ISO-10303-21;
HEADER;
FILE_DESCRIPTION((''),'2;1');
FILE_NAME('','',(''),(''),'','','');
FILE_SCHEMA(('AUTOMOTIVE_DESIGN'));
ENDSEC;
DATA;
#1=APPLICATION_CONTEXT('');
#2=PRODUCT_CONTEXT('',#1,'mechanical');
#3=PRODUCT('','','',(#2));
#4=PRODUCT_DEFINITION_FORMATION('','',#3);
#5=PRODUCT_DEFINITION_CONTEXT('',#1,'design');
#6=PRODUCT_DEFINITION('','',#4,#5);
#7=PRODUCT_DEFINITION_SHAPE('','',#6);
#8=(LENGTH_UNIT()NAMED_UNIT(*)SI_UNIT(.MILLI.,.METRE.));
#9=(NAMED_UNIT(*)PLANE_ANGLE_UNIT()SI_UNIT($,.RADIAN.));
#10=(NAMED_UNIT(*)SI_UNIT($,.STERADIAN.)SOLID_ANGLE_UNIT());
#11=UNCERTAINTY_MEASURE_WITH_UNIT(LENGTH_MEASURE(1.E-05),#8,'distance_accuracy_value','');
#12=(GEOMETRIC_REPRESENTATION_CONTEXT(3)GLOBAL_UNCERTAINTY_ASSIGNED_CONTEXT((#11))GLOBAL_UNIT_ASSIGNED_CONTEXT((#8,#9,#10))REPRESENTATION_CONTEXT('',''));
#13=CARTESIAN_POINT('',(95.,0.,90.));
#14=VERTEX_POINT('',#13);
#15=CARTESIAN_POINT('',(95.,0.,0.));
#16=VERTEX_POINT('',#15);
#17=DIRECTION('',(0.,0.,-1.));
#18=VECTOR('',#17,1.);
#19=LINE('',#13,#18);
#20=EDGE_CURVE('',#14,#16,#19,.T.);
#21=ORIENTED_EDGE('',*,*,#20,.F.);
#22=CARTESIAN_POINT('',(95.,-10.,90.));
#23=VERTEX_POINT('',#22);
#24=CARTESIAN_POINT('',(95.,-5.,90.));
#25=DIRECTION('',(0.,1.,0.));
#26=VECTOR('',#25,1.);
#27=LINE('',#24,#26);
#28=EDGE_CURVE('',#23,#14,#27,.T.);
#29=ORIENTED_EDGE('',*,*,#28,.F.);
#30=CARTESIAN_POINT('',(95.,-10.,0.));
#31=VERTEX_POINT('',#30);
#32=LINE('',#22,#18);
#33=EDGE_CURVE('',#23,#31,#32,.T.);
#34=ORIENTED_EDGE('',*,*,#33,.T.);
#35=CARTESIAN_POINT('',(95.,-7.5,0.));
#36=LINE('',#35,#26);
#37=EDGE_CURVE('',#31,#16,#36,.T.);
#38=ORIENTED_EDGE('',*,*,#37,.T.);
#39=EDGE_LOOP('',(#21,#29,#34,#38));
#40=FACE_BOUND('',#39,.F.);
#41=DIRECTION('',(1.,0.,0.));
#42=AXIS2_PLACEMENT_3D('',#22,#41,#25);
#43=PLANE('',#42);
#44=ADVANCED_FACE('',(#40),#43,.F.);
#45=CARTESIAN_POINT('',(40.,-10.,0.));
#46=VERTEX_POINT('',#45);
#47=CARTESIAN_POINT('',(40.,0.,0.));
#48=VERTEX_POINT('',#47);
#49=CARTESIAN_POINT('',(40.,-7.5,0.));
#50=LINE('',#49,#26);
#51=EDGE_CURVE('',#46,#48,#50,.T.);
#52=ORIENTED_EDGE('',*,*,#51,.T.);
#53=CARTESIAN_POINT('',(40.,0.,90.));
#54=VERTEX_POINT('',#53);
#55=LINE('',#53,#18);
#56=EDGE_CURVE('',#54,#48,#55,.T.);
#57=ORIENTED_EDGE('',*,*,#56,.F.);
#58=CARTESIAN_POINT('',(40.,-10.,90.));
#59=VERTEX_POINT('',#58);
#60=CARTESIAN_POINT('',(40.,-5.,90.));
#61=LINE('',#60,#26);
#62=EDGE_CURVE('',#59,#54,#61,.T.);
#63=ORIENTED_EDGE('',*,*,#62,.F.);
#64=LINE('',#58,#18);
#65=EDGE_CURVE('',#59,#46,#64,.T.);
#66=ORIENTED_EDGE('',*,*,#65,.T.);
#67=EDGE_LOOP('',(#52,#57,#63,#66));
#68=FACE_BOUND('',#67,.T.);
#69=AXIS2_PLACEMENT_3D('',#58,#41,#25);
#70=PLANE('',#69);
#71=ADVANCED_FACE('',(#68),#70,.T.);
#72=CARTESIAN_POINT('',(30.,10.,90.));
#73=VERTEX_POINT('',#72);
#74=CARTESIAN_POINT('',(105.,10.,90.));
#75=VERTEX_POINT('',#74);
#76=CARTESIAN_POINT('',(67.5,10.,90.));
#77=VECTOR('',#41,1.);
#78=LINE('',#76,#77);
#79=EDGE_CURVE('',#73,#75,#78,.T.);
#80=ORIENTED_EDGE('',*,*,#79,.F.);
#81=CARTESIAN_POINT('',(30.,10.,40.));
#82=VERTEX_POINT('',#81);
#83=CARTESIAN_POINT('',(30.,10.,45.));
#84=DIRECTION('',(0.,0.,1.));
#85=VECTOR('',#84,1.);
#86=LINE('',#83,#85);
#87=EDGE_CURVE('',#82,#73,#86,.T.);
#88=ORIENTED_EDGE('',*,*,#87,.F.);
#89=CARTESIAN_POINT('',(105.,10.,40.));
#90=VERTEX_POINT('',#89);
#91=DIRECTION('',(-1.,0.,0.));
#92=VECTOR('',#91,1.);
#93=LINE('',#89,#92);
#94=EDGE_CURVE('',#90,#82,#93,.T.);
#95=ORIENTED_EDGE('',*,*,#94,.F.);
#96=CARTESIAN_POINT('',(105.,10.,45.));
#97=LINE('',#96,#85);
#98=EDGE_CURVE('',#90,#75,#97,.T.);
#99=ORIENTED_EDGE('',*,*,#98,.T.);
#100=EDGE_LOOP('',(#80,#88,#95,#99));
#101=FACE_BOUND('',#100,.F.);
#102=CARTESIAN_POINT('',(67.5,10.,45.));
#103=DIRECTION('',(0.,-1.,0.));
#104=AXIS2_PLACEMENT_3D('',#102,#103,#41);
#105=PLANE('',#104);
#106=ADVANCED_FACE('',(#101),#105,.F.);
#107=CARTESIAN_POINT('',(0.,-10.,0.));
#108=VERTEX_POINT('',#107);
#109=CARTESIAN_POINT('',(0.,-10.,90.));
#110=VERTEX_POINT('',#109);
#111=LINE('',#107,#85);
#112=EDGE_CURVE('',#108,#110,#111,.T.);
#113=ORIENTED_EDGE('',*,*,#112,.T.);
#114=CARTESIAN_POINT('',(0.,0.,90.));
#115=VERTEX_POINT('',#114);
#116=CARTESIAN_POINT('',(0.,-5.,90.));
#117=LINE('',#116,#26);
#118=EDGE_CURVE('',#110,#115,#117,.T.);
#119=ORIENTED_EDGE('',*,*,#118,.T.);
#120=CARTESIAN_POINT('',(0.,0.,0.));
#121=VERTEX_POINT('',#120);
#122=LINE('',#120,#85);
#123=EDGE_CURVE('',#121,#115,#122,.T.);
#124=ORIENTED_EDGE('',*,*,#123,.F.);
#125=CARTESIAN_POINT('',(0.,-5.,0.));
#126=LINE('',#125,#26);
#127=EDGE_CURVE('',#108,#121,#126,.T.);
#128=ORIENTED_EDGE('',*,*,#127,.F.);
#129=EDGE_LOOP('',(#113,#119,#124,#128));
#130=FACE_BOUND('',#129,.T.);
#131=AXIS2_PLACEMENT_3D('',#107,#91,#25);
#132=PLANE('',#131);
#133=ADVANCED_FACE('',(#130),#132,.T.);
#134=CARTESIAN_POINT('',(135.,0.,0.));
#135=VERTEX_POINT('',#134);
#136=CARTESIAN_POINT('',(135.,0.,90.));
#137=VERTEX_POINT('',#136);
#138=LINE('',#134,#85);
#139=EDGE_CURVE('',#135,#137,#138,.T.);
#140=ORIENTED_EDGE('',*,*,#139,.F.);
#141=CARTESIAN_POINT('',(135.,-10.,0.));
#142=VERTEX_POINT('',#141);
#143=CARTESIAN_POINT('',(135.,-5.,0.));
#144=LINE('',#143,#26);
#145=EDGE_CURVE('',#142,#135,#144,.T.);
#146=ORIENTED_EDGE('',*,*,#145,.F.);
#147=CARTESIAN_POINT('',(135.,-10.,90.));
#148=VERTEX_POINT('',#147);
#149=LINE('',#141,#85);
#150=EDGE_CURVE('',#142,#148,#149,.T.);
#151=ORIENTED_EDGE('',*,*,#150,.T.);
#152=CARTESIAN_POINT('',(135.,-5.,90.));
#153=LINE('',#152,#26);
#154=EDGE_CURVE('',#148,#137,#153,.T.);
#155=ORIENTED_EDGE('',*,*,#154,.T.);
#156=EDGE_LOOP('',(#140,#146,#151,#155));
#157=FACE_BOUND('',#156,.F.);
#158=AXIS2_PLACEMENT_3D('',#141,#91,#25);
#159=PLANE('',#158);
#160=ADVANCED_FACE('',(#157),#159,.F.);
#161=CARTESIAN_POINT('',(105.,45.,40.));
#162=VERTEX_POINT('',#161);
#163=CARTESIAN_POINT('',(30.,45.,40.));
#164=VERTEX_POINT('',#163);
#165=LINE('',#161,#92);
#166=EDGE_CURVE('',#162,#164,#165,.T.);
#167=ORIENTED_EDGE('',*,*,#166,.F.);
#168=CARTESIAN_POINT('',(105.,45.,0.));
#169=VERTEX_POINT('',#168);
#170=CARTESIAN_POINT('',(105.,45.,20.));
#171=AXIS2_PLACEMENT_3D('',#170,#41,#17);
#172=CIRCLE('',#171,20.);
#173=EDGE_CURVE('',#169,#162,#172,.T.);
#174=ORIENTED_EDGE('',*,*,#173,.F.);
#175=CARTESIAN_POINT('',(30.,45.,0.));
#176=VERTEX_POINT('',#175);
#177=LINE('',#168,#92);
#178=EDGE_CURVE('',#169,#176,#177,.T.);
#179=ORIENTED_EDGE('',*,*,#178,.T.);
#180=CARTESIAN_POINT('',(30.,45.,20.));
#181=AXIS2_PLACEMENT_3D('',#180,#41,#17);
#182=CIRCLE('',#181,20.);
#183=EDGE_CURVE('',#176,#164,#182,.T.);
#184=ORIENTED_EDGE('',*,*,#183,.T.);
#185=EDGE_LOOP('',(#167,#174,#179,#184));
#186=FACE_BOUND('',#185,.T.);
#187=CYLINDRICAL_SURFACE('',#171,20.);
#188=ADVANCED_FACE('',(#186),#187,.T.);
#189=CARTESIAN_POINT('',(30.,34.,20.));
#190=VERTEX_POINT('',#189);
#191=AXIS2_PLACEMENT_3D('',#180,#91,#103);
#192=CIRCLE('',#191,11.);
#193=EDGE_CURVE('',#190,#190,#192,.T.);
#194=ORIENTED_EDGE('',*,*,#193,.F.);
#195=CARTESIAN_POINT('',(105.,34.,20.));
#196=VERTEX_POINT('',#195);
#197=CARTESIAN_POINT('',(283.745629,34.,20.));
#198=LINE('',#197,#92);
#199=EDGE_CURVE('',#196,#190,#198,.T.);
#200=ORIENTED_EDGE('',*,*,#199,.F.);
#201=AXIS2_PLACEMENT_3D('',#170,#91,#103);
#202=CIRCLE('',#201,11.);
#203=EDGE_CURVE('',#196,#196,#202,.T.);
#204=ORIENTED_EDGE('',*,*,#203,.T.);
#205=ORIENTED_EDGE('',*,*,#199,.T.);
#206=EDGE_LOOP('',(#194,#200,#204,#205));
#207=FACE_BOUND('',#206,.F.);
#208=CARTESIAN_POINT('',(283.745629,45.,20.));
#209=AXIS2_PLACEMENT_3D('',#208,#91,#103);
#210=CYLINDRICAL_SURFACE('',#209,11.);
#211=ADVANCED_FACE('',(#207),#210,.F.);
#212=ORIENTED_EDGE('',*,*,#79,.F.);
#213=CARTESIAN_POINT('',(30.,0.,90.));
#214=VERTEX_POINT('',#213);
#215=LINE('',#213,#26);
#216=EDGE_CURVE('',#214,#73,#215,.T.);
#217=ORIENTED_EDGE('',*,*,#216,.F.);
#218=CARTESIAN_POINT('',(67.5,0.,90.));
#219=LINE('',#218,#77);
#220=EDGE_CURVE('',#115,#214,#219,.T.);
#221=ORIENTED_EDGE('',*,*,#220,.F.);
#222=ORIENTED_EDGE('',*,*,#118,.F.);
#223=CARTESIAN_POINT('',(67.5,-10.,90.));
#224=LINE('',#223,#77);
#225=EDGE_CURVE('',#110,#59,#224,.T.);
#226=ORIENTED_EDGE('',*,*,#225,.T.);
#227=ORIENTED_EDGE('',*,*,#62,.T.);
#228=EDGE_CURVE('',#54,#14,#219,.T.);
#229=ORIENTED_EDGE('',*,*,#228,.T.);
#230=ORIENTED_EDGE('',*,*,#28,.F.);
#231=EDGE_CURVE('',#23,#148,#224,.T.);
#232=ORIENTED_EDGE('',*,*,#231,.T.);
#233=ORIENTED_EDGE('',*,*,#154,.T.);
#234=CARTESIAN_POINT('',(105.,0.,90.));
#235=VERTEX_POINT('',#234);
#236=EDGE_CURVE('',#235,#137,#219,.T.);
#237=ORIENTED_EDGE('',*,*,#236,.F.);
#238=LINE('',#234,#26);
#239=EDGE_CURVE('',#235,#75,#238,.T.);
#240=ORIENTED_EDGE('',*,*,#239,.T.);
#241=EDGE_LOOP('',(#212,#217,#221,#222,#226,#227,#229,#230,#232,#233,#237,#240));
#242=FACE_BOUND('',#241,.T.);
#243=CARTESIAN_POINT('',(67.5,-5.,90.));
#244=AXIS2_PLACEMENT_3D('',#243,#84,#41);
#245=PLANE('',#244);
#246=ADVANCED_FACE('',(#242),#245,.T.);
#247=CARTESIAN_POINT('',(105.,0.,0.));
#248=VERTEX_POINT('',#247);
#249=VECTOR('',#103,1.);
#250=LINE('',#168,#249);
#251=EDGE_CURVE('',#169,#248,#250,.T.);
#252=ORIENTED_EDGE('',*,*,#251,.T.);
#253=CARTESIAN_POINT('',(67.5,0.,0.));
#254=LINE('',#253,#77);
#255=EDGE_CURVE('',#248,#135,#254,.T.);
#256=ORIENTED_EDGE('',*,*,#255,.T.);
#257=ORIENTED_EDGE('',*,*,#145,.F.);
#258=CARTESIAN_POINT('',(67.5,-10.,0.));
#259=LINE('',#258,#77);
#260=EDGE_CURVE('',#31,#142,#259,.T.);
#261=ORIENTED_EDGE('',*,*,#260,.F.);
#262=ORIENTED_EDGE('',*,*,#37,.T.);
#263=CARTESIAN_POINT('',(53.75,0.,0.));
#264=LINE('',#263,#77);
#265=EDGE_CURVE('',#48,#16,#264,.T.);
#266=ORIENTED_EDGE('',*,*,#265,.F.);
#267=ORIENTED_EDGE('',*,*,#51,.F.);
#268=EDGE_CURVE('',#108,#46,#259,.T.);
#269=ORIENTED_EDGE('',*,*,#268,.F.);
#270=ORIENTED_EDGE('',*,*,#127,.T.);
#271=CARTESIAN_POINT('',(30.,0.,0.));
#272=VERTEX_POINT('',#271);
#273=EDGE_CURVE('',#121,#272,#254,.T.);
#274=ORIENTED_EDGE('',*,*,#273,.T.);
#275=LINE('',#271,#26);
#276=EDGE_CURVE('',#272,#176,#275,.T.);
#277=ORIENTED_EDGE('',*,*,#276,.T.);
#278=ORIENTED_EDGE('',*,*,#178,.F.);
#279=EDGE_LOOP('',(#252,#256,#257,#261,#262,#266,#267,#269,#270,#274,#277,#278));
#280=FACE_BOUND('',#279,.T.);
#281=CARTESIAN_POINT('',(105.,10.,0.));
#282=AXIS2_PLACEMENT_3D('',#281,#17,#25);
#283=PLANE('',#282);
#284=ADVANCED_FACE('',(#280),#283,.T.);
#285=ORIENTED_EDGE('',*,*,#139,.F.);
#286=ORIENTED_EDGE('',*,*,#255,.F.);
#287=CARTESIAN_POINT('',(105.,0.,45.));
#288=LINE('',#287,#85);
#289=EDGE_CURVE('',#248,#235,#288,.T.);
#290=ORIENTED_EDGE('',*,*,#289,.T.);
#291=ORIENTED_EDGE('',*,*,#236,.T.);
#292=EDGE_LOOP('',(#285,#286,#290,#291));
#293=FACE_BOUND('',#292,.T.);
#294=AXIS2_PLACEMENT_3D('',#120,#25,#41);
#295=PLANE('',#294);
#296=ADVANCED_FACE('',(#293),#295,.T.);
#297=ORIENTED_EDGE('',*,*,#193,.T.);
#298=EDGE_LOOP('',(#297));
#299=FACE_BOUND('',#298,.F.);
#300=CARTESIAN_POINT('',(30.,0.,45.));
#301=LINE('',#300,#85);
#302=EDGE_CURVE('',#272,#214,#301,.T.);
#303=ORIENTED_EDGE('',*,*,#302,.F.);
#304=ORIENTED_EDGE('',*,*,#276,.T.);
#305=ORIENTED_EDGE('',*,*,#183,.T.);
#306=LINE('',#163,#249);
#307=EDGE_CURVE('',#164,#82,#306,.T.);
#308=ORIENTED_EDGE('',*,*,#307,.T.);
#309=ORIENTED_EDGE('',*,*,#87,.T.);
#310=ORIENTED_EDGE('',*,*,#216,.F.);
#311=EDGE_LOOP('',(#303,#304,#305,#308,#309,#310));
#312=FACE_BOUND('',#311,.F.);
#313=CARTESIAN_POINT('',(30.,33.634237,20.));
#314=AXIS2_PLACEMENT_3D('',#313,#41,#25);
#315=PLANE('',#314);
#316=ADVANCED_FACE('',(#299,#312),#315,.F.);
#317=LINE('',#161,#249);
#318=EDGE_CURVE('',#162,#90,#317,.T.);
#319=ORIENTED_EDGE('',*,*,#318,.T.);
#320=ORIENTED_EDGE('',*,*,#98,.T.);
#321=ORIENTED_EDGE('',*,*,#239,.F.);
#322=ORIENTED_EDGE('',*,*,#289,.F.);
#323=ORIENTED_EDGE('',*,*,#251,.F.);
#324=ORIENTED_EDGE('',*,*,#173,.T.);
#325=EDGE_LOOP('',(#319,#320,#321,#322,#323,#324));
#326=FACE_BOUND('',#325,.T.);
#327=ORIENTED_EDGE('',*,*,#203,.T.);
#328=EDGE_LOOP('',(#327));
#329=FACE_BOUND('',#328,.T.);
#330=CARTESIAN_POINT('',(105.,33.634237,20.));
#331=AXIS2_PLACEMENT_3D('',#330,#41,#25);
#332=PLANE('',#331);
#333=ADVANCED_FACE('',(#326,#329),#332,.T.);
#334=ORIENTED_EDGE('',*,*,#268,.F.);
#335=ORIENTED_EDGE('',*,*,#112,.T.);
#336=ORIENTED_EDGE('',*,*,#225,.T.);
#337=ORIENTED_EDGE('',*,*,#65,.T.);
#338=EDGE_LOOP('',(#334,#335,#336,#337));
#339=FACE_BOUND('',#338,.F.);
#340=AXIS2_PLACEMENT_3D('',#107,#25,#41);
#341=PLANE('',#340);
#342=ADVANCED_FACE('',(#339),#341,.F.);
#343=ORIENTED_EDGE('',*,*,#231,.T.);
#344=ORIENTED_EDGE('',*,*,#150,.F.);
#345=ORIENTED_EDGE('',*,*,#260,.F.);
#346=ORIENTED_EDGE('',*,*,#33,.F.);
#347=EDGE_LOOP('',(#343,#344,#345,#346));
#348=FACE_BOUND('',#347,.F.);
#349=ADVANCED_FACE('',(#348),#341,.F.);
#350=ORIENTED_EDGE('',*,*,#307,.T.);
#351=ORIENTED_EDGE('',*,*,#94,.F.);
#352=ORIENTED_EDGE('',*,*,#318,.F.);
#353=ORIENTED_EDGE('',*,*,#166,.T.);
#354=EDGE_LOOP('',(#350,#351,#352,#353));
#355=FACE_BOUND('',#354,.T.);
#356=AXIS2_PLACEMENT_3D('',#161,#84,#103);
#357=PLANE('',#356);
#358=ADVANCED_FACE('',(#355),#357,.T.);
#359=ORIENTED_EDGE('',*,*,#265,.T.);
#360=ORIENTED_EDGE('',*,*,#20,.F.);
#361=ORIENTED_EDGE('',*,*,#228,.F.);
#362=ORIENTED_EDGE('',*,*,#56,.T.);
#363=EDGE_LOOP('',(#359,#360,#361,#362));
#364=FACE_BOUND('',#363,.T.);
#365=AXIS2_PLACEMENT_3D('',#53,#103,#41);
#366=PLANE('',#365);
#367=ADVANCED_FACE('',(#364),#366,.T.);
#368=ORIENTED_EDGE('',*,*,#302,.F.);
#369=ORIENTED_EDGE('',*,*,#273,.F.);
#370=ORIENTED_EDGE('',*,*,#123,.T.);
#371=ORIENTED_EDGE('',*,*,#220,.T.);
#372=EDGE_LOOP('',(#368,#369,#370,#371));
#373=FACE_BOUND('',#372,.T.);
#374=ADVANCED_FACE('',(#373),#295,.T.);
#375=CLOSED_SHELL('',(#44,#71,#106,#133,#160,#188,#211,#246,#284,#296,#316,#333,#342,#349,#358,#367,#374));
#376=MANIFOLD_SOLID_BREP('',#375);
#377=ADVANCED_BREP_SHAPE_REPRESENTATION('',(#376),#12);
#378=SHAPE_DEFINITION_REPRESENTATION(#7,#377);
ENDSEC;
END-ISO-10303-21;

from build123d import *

# Parameters (mm, degrees)
F0_W     = 135
F0_H     = 10
F1_DEPTH = 90
F2_W     = 75
F2_H     = 90
F3_DEPTH = 10
F4_W     = 55
F4_H     = 10
F5_DEPTH = 90.001
F7_DEPTH = 75
F10_D    = 22


with BuildPart() as f1:
    # F0 (on Top) → F1 (new body)
    with BuildSketch(Plane.XY):
        with Locations((67.5, -5)):
            Rectangle(F0_W, F0_H)
    extrude(amount=F1_DEPTH)

    # F2 (on Front) → F3 (join)
    with BuildSketch(Plane.XZ):
        with Locations((67.5, 45)):
            Rectangle(F2_W, F2_H)
    extrude(amount=-F3_DEPTH)

    # F4 (on face) → F5 (cut, through all)
    with BuildSketch(Plane.XY.offset(90)):
        with Locations((67.5, -5)):
            Rectangle(F4_W, F4_H)
    extrude(amount=-F5_DEPTH, mode=Mode.SUBTRACT)

    # F6 (on face) → F7 (join)
    with BuildSketch(Plane.YZ.offset(105)):
        with BuildLine():
            Line((10, 40), (10, 0))
            Line((10, 0), (45, 0))
            ThreePointArc((45, 0), (65, 20), (45, 40))
            Line((45, 40), (10, 40))
        make_face()
    extrude(amount=-F7_DEPTH)

    # F10 (through all)
    with Locations(Plane.YZ.offset(105)):
        with Locations((45, 20)):
            Hole(F10_D / 2)


solid = f1.part
